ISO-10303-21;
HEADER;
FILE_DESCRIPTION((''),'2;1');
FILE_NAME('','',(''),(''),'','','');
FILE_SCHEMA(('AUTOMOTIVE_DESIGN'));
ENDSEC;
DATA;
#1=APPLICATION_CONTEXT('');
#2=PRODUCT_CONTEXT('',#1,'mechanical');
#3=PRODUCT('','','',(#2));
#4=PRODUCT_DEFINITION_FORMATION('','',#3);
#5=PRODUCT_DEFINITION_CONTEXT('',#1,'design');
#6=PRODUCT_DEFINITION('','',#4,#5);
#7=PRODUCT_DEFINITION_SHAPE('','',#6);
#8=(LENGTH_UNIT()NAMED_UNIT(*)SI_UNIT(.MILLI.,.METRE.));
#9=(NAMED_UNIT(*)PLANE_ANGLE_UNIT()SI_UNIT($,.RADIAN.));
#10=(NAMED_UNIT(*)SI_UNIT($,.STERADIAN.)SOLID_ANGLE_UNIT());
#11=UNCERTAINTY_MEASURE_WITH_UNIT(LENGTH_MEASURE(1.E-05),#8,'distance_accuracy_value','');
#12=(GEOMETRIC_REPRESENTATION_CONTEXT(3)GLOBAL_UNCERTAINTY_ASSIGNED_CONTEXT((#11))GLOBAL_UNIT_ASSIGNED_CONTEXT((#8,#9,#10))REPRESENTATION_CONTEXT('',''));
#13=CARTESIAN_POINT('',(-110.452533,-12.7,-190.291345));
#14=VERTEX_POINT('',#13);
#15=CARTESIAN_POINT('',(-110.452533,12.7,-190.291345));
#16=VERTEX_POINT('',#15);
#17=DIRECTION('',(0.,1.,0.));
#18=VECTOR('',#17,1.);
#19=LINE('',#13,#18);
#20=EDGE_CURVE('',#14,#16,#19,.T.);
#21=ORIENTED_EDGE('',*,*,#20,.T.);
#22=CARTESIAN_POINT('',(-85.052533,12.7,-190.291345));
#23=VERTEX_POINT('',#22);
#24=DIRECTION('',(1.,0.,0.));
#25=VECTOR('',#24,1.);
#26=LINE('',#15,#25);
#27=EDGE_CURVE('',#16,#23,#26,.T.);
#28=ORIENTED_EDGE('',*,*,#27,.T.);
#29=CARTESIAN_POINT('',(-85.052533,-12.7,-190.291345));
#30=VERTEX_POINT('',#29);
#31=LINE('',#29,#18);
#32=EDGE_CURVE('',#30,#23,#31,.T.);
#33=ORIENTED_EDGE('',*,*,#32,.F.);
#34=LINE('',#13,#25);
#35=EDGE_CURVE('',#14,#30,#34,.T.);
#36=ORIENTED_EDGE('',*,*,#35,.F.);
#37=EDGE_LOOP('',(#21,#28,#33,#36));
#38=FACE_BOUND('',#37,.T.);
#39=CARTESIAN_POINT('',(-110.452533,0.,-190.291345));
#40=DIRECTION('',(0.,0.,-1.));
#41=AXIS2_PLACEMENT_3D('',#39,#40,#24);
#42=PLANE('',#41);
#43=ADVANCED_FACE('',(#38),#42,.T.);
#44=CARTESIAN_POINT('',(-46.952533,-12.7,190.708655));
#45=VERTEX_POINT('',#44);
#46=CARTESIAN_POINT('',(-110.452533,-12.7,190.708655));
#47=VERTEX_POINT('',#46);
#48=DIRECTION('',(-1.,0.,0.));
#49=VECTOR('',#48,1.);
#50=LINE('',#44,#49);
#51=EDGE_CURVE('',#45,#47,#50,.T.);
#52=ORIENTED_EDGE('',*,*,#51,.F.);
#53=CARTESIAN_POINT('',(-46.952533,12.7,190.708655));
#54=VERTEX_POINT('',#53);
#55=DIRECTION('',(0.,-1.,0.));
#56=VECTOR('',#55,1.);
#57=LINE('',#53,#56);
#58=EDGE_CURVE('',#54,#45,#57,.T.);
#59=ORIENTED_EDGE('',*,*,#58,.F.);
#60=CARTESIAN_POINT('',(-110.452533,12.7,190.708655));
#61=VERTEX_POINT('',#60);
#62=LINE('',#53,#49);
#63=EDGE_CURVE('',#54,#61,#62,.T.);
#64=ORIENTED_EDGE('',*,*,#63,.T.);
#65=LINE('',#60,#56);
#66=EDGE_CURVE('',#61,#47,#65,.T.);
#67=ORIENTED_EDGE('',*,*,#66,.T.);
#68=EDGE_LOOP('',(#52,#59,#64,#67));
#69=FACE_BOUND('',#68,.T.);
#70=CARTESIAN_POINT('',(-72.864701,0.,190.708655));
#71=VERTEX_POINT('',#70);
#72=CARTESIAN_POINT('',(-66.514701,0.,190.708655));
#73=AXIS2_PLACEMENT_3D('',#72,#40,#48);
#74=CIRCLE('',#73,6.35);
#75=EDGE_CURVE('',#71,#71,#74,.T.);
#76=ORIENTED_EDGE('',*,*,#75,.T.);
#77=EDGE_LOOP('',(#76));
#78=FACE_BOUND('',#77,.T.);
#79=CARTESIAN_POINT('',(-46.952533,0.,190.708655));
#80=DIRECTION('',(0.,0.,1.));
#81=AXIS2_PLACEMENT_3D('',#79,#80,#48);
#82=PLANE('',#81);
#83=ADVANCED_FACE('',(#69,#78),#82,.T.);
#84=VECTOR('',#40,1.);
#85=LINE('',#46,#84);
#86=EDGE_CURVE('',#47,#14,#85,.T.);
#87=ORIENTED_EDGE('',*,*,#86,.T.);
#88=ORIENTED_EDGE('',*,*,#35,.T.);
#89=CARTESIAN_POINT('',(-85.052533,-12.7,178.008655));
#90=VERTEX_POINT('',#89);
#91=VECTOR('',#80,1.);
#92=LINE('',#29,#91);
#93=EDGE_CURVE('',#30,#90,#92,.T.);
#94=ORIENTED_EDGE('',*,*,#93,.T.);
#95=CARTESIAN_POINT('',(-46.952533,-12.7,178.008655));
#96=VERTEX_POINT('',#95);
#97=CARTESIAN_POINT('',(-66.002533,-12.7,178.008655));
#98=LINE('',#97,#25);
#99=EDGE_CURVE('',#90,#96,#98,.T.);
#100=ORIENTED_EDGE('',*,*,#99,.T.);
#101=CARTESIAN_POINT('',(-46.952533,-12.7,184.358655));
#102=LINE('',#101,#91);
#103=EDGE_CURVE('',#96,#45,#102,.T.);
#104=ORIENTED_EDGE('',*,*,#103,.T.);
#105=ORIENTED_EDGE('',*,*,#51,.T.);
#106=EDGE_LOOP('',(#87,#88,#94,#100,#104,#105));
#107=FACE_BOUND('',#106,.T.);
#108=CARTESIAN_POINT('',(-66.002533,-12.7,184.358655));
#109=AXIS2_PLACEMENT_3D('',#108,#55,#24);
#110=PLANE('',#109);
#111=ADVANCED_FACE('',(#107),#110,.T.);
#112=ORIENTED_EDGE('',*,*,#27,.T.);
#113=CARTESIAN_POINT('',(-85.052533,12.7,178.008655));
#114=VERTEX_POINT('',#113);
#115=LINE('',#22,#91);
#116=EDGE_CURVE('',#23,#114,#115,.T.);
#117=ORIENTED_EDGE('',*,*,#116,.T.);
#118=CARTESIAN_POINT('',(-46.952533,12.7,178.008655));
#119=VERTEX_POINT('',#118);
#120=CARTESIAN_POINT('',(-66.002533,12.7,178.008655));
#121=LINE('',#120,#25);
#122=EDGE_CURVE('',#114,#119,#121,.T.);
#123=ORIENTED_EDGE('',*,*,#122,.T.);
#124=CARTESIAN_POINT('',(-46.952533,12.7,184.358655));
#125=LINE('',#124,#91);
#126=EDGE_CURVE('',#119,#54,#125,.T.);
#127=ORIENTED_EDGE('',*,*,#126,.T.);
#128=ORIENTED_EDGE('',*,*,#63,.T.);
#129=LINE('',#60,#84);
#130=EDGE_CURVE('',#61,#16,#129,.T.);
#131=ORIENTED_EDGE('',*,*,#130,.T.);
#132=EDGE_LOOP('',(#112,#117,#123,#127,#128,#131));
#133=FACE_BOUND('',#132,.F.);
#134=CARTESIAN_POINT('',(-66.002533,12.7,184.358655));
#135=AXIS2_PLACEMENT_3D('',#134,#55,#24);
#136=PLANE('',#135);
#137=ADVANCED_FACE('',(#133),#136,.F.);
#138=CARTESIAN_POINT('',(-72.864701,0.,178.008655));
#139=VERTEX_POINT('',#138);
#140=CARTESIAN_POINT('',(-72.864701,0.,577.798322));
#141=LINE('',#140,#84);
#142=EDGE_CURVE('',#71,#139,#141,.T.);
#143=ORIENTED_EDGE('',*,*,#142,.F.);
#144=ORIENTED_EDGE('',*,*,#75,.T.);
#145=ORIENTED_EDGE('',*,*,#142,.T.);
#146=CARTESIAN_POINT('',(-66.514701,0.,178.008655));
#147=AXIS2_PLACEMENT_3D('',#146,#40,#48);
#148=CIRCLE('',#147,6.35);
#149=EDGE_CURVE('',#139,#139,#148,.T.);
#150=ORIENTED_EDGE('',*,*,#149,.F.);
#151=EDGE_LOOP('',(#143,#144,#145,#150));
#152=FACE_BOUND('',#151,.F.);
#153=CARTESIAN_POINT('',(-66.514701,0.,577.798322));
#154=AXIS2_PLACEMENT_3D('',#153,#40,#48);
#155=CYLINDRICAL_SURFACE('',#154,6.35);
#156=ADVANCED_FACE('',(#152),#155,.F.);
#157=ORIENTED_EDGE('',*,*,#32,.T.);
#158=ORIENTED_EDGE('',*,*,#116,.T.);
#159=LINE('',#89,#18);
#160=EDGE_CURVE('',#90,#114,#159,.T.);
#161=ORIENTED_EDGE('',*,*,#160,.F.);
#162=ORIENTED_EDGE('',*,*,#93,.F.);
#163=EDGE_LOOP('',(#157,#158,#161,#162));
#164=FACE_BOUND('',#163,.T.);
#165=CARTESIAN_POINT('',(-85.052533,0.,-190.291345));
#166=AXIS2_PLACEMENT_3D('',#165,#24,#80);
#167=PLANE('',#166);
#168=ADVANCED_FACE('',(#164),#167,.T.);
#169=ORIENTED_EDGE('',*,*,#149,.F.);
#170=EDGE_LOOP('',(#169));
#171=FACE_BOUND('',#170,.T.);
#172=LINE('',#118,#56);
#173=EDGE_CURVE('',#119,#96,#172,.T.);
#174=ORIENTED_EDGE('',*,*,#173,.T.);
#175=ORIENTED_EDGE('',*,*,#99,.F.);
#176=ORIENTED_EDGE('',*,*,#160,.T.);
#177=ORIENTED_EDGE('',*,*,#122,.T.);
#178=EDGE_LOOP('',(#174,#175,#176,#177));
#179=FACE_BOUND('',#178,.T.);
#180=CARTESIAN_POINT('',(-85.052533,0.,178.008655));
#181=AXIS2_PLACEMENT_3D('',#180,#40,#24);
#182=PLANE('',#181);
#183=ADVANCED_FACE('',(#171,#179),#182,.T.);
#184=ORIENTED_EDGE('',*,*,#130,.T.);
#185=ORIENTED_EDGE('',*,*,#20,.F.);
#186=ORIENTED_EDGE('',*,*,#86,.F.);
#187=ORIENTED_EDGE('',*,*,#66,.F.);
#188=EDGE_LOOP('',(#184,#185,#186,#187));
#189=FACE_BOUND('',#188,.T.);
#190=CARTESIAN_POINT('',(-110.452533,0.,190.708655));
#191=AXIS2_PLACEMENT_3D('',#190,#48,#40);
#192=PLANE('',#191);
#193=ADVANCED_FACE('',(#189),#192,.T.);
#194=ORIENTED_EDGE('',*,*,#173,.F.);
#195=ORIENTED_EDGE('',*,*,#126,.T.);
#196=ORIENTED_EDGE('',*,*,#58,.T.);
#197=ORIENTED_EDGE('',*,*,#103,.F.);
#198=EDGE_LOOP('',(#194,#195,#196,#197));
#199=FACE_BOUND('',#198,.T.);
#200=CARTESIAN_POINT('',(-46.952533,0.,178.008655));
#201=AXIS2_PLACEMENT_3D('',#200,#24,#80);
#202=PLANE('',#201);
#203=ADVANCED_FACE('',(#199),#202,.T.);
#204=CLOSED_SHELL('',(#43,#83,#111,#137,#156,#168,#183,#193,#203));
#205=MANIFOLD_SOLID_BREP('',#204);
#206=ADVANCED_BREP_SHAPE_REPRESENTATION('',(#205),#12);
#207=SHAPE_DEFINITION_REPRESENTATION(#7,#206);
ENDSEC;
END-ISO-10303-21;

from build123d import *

# Parameters (mm, degrees)
F0_W     = 38.1
F0_H     = 12.7
F1_DEPTH = 12.7
F3_D     = 12.7


with BuildPart() as f1:
    # F0 (on Front) → F1 (new body, symmetric)
    with BuildSketch(Plane.XZ):
        with Locations((-66.002533, 184.358655)):
            Rectangle(F0_W, F0_H)
        Polygon((-85.052533, 190.708655), (-110.452533, 190.708655), (-110.452533, -190.291345), (-85.052533, -190.291345), (-85.052533, 178.008655), align=None)
    extrude(amount=F1_DEPTH, both=True)

    # F3 (through all)
    with Locations(Plane.XY.offset(190.708655)):
        with Locations((-66.514701, 0)):
            Hole(F3_D / 2)


solid = f1.part
